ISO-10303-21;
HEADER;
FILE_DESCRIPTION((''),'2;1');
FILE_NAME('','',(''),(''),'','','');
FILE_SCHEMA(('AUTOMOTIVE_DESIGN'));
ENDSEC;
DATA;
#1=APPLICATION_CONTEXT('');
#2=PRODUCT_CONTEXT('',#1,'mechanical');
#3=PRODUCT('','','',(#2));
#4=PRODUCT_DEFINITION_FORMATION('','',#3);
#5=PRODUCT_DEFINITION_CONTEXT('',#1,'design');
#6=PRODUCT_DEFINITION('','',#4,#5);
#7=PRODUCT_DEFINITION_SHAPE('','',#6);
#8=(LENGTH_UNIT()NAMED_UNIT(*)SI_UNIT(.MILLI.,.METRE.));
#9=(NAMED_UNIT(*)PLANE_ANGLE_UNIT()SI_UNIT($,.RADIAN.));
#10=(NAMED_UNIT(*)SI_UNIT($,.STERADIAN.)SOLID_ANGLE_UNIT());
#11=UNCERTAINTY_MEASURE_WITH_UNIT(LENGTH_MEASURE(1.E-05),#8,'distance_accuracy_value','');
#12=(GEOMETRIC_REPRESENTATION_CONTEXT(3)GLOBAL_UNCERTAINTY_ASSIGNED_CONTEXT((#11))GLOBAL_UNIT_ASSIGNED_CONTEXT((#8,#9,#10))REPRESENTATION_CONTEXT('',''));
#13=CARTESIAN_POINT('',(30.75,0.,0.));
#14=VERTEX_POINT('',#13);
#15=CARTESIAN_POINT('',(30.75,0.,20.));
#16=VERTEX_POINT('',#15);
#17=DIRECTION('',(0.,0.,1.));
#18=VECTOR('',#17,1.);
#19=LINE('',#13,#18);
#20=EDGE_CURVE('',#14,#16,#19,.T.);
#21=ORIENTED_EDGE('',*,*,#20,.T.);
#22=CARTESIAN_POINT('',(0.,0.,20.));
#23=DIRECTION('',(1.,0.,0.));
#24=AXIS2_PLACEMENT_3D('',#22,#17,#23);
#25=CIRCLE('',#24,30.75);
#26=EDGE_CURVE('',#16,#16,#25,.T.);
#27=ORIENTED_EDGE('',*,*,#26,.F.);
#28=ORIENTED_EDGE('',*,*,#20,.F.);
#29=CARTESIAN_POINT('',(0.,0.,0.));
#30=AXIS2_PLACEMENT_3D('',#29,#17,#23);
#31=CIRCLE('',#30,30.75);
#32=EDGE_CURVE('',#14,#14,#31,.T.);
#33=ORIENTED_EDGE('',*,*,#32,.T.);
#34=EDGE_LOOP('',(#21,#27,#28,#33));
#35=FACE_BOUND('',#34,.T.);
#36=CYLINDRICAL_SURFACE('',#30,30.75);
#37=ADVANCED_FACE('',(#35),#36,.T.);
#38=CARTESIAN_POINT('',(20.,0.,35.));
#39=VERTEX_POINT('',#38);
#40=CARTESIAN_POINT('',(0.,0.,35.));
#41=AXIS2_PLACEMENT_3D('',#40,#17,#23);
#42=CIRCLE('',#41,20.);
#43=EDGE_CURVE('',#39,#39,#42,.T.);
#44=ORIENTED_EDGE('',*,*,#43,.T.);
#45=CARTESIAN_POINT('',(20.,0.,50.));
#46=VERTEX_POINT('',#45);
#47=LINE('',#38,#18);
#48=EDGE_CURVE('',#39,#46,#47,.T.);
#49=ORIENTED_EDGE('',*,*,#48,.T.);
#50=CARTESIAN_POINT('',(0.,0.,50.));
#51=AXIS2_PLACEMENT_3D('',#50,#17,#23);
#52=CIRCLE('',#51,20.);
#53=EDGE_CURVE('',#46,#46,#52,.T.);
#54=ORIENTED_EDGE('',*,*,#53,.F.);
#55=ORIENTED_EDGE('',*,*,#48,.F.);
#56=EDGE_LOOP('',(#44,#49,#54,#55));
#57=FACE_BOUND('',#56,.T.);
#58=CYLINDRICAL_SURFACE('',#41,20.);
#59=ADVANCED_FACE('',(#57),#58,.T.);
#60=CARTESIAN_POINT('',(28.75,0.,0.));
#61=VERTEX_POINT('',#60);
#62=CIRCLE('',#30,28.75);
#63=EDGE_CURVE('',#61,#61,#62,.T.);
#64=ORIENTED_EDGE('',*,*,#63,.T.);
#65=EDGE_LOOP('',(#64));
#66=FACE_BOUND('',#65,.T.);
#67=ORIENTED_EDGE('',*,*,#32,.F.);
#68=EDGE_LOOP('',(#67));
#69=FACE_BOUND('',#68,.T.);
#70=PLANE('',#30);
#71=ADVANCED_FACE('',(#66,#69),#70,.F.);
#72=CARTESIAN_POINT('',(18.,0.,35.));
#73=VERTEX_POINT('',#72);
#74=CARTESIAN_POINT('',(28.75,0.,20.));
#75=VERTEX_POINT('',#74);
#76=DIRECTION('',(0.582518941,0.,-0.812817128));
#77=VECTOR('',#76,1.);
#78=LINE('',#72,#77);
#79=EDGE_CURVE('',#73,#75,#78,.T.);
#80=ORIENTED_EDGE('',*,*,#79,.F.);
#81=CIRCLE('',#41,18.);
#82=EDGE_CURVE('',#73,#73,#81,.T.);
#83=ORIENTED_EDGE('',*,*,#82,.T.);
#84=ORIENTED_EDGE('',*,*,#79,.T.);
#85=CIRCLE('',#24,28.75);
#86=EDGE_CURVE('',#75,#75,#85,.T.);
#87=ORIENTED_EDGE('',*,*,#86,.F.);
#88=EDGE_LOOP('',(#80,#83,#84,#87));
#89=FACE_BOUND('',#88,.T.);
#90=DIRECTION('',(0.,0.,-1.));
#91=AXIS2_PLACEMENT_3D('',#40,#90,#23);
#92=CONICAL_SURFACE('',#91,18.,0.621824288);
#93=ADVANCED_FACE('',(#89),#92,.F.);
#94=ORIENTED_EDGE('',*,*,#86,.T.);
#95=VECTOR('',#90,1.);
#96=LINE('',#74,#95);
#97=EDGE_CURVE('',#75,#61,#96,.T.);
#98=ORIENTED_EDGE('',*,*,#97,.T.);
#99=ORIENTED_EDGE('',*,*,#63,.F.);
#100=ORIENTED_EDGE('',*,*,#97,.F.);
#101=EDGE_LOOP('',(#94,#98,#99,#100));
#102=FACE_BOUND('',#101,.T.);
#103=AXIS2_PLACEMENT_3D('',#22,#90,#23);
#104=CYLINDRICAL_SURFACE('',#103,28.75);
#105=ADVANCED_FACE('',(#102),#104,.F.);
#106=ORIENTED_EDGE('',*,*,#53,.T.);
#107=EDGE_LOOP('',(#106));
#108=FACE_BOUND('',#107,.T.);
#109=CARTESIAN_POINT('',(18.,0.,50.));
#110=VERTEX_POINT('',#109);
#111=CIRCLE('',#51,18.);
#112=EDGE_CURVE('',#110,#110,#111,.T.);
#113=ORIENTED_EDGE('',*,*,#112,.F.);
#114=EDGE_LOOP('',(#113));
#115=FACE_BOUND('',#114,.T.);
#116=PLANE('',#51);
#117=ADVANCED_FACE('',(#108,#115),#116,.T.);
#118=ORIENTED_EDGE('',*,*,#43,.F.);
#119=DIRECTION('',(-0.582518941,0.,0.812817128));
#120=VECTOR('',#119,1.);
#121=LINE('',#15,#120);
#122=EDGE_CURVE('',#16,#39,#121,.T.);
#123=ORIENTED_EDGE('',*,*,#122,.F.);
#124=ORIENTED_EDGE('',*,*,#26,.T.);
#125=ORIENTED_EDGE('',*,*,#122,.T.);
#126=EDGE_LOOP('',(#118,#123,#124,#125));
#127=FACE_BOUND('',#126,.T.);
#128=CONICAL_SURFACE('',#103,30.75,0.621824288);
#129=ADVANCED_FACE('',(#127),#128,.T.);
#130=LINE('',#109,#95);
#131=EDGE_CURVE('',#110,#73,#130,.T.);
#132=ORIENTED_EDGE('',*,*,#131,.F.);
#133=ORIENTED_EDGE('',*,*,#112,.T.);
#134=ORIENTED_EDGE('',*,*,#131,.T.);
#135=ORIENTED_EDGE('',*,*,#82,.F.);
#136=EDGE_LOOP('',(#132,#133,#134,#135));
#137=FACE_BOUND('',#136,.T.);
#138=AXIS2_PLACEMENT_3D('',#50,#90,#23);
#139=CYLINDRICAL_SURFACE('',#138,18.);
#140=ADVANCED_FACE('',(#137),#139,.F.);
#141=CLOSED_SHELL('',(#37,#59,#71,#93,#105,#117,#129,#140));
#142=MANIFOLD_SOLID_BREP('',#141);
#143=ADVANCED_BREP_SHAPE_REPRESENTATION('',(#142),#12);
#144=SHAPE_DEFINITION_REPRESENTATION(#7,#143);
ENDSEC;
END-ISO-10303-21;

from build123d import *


with BuildPart() as part:
    # Sketch → Revolution (revolve)
    with BuildSketch(Plane.XZ):
        Polygon((28.75, 0), (30.75, 0), (30.75, 20), (20, 35), (20, 50), (18, 50), (18, 35), (28.75, 20), align=None)
    revolve(axis=Axis((0, 0, 0), (0, 0, 1)))


solid = part.part
